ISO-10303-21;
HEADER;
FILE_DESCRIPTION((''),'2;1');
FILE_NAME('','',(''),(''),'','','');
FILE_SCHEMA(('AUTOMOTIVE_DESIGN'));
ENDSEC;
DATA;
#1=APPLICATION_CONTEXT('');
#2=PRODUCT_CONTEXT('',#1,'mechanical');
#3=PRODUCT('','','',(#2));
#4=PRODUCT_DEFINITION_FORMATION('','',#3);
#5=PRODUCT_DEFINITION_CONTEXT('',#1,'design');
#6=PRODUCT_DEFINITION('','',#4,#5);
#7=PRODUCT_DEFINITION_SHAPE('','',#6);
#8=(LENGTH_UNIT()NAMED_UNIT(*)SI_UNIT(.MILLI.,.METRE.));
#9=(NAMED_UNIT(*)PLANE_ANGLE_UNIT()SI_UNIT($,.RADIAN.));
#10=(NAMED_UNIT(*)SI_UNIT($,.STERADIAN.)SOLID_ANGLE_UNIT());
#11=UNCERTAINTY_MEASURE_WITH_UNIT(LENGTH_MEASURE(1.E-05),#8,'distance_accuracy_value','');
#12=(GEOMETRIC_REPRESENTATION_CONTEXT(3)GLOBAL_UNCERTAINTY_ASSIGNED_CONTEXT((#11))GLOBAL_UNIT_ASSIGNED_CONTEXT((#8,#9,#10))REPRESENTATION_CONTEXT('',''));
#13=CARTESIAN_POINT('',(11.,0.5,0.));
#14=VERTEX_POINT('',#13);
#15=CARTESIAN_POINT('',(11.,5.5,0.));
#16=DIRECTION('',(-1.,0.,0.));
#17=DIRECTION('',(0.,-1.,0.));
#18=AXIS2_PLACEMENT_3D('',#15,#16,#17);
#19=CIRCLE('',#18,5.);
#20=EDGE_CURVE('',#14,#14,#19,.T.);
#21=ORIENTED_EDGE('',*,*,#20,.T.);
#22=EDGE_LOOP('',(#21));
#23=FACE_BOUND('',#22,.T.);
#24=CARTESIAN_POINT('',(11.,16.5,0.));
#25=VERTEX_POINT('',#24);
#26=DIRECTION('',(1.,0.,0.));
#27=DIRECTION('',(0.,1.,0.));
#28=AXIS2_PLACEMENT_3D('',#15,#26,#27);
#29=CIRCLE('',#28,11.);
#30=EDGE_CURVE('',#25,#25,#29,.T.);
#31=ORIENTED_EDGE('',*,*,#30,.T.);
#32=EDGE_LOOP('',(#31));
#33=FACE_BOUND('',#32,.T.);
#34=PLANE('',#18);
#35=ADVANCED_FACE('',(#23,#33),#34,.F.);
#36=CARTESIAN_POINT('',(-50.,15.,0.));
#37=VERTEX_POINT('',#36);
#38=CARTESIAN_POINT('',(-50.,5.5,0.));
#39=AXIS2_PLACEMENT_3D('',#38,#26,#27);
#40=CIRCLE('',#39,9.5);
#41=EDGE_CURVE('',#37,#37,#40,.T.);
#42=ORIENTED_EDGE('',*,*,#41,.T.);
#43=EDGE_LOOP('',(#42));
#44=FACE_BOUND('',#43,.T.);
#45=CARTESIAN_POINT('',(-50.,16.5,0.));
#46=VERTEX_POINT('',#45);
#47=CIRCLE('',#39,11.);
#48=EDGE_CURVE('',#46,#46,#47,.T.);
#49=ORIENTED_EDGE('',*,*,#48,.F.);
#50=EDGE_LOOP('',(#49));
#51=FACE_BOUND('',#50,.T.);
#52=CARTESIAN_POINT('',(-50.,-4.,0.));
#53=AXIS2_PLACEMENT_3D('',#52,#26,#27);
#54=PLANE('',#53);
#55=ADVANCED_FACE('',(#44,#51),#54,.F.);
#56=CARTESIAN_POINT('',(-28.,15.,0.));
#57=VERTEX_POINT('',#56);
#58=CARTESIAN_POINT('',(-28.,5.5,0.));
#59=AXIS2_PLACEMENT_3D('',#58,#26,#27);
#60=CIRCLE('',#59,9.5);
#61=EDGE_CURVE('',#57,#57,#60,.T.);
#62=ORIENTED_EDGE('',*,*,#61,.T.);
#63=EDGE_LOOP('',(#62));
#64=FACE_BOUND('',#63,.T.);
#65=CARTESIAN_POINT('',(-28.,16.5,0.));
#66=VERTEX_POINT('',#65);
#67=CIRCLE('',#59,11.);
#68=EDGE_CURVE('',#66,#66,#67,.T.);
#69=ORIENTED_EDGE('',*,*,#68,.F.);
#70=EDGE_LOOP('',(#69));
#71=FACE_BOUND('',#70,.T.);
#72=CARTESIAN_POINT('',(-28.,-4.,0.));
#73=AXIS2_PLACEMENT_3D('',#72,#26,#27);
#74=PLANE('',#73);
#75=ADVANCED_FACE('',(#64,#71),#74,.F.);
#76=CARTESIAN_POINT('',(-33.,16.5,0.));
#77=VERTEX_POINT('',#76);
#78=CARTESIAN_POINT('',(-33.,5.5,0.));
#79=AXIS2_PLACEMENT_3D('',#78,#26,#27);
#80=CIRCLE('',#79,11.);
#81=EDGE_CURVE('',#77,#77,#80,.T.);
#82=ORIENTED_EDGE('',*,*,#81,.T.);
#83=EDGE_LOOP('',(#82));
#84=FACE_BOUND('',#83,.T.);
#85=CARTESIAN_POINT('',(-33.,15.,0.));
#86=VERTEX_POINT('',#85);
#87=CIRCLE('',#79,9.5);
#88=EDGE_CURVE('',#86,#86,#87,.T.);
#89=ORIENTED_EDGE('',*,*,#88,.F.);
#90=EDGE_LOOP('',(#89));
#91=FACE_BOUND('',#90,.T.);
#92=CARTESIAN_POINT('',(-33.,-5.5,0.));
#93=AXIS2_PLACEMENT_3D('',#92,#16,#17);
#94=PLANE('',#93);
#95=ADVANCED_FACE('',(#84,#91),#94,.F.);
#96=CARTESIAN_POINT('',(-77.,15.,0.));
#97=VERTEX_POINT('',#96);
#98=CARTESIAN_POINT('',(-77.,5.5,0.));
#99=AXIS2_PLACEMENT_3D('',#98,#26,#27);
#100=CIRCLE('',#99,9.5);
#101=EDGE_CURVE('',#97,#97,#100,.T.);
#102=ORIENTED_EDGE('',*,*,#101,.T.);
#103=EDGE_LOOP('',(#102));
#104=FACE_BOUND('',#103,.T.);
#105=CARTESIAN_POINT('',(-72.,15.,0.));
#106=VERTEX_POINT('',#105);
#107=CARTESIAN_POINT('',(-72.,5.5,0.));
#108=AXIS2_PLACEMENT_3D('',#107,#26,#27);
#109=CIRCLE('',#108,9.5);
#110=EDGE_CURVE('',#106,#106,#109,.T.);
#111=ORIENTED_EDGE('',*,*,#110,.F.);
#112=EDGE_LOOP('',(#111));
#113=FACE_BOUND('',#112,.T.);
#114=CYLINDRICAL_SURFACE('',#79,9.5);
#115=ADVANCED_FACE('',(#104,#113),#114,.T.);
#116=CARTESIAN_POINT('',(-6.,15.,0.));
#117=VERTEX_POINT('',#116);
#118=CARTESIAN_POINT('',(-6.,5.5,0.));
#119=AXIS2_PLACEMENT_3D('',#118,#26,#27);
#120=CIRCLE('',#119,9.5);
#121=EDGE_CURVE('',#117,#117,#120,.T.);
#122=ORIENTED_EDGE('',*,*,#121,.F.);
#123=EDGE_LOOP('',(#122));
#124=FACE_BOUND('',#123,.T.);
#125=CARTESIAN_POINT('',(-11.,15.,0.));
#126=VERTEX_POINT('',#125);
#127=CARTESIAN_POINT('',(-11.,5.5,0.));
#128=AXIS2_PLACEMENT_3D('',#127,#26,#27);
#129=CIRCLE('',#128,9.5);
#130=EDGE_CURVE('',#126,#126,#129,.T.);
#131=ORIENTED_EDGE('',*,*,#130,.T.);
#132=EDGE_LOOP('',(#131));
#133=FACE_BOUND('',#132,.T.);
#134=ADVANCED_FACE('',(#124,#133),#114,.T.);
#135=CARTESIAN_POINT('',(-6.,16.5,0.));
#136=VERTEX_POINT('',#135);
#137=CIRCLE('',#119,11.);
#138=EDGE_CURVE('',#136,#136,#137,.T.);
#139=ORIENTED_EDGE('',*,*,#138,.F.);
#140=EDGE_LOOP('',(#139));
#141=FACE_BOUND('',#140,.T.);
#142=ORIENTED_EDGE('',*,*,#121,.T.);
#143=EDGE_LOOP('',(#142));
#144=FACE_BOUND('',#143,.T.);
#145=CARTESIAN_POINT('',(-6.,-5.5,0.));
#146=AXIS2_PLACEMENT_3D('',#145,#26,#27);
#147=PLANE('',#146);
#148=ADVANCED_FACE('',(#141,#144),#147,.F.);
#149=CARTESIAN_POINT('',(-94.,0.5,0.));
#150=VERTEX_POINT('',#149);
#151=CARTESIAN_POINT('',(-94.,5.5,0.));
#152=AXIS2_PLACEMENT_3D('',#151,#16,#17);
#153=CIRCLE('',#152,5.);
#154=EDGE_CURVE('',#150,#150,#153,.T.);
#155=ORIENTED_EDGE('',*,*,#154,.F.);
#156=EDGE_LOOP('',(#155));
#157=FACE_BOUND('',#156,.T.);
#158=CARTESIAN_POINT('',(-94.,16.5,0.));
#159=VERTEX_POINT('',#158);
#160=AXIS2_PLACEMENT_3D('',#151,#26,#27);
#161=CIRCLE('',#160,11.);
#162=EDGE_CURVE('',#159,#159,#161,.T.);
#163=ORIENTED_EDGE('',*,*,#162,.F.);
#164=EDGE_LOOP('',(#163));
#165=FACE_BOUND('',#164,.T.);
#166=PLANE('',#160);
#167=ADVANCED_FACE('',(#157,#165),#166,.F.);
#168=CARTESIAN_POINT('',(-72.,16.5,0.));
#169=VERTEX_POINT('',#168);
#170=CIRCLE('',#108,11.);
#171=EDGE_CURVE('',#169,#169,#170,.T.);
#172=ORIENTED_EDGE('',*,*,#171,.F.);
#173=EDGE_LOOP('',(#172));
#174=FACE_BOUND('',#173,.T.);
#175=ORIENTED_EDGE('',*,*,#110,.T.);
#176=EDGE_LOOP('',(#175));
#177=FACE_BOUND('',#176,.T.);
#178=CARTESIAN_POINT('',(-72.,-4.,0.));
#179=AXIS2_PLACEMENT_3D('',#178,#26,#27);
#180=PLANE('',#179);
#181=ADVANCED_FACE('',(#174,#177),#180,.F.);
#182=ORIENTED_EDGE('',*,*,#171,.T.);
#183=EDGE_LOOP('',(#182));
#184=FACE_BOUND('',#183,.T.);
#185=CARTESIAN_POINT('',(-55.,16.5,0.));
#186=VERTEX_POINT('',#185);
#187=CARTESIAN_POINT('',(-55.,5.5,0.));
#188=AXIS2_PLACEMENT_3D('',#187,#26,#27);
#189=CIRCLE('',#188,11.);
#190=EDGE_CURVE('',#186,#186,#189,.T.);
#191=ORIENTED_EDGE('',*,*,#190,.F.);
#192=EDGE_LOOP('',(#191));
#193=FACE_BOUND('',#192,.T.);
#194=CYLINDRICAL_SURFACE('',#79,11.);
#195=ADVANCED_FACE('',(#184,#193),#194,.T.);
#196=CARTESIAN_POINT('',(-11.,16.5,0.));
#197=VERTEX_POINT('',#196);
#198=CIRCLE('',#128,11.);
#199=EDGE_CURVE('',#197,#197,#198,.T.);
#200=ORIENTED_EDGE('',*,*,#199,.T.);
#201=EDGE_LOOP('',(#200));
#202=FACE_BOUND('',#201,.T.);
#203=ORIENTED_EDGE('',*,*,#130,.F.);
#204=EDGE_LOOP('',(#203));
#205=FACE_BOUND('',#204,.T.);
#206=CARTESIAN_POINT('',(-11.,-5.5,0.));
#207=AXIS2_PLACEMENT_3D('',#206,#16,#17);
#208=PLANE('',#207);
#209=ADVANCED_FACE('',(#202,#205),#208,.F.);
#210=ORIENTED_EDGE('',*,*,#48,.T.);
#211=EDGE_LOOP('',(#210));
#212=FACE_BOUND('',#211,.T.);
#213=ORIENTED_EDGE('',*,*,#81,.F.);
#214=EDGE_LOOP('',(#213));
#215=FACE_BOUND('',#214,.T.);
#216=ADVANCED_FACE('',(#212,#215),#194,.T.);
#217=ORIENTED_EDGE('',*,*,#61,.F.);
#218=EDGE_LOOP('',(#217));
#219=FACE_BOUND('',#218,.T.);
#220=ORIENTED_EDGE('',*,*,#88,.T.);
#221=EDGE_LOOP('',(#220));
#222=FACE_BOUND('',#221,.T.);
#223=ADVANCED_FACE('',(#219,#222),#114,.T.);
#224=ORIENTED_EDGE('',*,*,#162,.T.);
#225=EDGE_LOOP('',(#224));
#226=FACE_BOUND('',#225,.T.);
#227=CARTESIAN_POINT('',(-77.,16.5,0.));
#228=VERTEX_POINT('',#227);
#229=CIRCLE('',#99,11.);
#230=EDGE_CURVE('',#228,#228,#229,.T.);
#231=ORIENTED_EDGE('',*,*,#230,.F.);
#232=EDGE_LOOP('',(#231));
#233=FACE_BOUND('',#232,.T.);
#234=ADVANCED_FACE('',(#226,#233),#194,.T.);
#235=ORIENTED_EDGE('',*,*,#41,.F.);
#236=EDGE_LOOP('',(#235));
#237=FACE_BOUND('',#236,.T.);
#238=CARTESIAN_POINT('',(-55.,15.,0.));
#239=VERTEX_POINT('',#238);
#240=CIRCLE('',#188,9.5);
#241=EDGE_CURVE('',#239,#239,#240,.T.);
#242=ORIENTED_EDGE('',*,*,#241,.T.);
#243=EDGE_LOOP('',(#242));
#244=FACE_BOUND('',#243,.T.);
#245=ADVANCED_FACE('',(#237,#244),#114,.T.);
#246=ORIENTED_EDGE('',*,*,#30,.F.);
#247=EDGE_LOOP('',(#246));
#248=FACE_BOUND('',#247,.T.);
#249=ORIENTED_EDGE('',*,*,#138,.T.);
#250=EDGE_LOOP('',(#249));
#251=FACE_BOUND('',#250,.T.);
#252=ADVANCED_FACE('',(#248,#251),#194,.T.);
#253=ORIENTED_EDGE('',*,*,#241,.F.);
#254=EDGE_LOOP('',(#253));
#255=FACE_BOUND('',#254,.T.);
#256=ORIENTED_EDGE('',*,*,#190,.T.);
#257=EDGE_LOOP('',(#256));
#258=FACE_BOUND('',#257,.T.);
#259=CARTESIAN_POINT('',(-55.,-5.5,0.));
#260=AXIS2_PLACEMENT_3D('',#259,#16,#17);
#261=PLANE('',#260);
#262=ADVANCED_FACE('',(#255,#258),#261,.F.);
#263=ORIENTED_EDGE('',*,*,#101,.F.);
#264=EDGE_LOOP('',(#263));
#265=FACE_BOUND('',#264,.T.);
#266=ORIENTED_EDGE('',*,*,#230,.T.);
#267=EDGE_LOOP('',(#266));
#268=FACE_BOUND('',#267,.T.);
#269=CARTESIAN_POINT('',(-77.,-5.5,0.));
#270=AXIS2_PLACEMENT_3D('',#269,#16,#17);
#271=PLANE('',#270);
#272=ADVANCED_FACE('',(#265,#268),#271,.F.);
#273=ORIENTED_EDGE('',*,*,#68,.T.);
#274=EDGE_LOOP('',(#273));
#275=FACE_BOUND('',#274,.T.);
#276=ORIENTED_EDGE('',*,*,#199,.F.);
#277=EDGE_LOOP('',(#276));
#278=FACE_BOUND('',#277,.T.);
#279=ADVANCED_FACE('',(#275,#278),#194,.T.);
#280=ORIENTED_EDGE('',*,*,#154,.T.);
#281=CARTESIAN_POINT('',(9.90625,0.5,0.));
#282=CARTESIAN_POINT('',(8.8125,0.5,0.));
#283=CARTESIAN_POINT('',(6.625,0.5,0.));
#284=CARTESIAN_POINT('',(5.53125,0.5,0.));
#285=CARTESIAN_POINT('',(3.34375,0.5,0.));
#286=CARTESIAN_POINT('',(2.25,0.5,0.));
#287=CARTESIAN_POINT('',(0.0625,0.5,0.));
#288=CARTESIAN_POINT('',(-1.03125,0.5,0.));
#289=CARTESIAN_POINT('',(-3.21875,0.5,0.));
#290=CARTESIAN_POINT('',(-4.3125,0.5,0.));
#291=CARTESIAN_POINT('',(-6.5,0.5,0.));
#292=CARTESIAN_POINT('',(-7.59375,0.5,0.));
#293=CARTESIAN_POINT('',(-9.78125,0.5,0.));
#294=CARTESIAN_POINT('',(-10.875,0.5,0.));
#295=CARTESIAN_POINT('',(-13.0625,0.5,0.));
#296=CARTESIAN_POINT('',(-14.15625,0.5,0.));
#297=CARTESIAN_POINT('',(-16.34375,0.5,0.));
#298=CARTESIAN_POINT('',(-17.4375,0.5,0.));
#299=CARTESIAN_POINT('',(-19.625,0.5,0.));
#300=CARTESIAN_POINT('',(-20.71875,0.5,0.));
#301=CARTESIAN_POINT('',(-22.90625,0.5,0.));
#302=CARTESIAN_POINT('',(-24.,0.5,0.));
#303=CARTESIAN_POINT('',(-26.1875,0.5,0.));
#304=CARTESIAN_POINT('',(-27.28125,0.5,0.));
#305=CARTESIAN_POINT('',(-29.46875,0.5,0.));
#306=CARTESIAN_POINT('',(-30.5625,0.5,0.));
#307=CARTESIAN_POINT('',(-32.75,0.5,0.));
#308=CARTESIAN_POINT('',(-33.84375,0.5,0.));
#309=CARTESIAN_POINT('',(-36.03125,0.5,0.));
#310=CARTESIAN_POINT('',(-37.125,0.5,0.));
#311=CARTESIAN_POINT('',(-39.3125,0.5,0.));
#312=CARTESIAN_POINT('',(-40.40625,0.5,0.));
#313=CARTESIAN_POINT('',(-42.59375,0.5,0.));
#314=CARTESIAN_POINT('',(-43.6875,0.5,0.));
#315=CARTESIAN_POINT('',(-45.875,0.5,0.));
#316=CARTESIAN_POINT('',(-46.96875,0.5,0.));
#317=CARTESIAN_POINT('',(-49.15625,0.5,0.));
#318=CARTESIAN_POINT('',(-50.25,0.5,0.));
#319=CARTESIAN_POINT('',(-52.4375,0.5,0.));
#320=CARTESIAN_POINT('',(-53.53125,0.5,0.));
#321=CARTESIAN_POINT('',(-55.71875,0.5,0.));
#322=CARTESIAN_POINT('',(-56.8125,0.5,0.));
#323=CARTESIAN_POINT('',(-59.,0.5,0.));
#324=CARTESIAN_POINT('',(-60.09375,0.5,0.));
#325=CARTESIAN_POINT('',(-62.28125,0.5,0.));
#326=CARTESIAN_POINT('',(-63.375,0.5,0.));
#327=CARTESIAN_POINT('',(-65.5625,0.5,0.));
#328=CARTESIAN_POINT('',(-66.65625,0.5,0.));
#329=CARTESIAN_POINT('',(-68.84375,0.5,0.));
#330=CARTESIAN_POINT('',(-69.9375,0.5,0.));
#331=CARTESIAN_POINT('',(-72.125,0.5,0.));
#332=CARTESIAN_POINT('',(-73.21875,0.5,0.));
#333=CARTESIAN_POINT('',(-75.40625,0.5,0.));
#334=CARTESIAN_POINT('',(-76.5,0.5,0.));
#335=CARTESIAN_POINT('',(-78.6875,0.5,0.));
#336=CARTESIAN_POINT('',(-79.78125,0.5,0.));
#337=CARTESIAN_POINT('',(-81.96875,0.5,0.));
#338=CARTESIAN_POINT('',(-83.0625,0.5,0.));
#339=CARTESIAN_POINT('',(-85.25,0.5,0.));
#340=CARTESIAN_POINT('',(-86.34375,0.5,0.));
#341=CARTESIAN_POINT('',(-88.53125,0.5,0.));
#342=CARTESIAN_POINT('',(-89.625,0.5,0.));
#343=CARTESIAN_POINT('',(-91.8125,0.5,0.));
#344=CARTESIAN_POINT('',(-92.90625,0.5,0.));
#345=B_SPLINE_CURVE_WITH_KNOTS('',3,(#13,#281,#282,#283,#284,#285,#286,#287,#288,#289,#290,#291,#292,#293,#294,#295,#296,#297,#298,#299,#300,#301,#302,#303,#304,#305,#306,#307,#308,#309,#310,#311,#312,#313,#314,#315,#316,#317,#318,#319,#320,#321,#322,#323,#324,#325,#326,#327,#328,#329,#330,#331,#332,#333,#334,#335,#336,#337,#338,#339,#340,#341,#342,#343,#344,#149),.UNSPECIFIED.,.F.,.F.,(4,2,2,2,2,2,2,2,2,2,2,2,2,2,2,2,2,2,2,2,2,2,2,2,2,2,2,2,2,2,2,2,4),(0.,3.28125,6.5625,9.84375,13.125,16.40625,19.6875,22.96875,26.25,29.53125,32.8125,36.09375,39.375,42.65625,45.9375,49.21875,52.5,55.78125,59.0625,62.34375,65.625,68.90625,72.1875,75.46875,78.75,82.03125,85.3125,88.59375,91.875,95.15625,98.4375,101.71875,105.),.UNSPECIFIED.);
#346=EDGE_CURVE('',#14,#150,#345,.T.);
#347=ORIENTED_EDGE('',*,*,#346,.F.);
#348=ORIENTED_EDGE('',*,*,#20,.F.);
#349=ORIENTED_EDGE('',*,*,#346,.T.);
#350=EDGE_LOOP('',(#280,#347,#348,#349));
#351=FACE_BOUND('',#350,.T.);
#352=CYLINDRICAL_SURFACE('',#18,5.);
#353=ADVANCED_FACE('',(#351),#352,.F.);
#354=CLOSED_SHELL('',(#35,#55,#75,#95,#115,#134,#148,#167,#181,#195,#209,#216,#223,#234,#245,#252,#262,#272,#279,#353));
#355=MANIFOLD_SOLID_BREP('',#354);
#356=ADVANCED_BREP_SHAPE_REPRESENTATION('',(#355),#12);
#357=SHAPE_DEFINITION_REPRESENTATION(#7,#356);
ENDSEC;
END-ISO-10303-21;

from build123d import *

# Parameters (mm, degrees)
SKETCH3_R          = 5
CUT_EXTRUDE2_DEPTH = 107.856211799


with BuildPart() as part:
    # Sketch1 → Revolve2 (revolve)
    with BuildSketch(Plane.XY, mode=Mode.PRIVATE) as revolve2_sk:
        Polygon((-6, -5.5), (11, -5.5), (11, 5.5), (-6, 5.5), (-11, 5.5), (-33, 5.5), (-55, 5.5), (-77, 5.5), (-94, 5.5), (-94, -5.5), (-77, -5.5), (-77, -4), (-72, -4), (-72, -5.5), (-55, -5.5), (-55, -4), (-50, -4), (-50, -5.5), (-33, -5.5), (-33, -4), (-28, -4), (-28, -5.5), (-11, -5.5), (-11, -4), (-6, -4), align=None)
    revolve(revolve2_sk.sketch.rotate(Axis((-33, 5.5, 0), (-1, 0, 0)), 180), axis=Axis((-33, 5.5, 0), (-1, 0, 0)))

    # Sketch3 → Cut-Extrude2 (cut, through all)
    with BuildSketch(Plane.ZY.offset(94)):
        with Locations(Location((0, 5.5, 0), (0, 0, 270))):
            Circle(SKETCH3_R)
    extrude(amount=-CUT_EXTRUDE2_DEPTH, mode=Mode.SUBTRACT)


solid = part.part
